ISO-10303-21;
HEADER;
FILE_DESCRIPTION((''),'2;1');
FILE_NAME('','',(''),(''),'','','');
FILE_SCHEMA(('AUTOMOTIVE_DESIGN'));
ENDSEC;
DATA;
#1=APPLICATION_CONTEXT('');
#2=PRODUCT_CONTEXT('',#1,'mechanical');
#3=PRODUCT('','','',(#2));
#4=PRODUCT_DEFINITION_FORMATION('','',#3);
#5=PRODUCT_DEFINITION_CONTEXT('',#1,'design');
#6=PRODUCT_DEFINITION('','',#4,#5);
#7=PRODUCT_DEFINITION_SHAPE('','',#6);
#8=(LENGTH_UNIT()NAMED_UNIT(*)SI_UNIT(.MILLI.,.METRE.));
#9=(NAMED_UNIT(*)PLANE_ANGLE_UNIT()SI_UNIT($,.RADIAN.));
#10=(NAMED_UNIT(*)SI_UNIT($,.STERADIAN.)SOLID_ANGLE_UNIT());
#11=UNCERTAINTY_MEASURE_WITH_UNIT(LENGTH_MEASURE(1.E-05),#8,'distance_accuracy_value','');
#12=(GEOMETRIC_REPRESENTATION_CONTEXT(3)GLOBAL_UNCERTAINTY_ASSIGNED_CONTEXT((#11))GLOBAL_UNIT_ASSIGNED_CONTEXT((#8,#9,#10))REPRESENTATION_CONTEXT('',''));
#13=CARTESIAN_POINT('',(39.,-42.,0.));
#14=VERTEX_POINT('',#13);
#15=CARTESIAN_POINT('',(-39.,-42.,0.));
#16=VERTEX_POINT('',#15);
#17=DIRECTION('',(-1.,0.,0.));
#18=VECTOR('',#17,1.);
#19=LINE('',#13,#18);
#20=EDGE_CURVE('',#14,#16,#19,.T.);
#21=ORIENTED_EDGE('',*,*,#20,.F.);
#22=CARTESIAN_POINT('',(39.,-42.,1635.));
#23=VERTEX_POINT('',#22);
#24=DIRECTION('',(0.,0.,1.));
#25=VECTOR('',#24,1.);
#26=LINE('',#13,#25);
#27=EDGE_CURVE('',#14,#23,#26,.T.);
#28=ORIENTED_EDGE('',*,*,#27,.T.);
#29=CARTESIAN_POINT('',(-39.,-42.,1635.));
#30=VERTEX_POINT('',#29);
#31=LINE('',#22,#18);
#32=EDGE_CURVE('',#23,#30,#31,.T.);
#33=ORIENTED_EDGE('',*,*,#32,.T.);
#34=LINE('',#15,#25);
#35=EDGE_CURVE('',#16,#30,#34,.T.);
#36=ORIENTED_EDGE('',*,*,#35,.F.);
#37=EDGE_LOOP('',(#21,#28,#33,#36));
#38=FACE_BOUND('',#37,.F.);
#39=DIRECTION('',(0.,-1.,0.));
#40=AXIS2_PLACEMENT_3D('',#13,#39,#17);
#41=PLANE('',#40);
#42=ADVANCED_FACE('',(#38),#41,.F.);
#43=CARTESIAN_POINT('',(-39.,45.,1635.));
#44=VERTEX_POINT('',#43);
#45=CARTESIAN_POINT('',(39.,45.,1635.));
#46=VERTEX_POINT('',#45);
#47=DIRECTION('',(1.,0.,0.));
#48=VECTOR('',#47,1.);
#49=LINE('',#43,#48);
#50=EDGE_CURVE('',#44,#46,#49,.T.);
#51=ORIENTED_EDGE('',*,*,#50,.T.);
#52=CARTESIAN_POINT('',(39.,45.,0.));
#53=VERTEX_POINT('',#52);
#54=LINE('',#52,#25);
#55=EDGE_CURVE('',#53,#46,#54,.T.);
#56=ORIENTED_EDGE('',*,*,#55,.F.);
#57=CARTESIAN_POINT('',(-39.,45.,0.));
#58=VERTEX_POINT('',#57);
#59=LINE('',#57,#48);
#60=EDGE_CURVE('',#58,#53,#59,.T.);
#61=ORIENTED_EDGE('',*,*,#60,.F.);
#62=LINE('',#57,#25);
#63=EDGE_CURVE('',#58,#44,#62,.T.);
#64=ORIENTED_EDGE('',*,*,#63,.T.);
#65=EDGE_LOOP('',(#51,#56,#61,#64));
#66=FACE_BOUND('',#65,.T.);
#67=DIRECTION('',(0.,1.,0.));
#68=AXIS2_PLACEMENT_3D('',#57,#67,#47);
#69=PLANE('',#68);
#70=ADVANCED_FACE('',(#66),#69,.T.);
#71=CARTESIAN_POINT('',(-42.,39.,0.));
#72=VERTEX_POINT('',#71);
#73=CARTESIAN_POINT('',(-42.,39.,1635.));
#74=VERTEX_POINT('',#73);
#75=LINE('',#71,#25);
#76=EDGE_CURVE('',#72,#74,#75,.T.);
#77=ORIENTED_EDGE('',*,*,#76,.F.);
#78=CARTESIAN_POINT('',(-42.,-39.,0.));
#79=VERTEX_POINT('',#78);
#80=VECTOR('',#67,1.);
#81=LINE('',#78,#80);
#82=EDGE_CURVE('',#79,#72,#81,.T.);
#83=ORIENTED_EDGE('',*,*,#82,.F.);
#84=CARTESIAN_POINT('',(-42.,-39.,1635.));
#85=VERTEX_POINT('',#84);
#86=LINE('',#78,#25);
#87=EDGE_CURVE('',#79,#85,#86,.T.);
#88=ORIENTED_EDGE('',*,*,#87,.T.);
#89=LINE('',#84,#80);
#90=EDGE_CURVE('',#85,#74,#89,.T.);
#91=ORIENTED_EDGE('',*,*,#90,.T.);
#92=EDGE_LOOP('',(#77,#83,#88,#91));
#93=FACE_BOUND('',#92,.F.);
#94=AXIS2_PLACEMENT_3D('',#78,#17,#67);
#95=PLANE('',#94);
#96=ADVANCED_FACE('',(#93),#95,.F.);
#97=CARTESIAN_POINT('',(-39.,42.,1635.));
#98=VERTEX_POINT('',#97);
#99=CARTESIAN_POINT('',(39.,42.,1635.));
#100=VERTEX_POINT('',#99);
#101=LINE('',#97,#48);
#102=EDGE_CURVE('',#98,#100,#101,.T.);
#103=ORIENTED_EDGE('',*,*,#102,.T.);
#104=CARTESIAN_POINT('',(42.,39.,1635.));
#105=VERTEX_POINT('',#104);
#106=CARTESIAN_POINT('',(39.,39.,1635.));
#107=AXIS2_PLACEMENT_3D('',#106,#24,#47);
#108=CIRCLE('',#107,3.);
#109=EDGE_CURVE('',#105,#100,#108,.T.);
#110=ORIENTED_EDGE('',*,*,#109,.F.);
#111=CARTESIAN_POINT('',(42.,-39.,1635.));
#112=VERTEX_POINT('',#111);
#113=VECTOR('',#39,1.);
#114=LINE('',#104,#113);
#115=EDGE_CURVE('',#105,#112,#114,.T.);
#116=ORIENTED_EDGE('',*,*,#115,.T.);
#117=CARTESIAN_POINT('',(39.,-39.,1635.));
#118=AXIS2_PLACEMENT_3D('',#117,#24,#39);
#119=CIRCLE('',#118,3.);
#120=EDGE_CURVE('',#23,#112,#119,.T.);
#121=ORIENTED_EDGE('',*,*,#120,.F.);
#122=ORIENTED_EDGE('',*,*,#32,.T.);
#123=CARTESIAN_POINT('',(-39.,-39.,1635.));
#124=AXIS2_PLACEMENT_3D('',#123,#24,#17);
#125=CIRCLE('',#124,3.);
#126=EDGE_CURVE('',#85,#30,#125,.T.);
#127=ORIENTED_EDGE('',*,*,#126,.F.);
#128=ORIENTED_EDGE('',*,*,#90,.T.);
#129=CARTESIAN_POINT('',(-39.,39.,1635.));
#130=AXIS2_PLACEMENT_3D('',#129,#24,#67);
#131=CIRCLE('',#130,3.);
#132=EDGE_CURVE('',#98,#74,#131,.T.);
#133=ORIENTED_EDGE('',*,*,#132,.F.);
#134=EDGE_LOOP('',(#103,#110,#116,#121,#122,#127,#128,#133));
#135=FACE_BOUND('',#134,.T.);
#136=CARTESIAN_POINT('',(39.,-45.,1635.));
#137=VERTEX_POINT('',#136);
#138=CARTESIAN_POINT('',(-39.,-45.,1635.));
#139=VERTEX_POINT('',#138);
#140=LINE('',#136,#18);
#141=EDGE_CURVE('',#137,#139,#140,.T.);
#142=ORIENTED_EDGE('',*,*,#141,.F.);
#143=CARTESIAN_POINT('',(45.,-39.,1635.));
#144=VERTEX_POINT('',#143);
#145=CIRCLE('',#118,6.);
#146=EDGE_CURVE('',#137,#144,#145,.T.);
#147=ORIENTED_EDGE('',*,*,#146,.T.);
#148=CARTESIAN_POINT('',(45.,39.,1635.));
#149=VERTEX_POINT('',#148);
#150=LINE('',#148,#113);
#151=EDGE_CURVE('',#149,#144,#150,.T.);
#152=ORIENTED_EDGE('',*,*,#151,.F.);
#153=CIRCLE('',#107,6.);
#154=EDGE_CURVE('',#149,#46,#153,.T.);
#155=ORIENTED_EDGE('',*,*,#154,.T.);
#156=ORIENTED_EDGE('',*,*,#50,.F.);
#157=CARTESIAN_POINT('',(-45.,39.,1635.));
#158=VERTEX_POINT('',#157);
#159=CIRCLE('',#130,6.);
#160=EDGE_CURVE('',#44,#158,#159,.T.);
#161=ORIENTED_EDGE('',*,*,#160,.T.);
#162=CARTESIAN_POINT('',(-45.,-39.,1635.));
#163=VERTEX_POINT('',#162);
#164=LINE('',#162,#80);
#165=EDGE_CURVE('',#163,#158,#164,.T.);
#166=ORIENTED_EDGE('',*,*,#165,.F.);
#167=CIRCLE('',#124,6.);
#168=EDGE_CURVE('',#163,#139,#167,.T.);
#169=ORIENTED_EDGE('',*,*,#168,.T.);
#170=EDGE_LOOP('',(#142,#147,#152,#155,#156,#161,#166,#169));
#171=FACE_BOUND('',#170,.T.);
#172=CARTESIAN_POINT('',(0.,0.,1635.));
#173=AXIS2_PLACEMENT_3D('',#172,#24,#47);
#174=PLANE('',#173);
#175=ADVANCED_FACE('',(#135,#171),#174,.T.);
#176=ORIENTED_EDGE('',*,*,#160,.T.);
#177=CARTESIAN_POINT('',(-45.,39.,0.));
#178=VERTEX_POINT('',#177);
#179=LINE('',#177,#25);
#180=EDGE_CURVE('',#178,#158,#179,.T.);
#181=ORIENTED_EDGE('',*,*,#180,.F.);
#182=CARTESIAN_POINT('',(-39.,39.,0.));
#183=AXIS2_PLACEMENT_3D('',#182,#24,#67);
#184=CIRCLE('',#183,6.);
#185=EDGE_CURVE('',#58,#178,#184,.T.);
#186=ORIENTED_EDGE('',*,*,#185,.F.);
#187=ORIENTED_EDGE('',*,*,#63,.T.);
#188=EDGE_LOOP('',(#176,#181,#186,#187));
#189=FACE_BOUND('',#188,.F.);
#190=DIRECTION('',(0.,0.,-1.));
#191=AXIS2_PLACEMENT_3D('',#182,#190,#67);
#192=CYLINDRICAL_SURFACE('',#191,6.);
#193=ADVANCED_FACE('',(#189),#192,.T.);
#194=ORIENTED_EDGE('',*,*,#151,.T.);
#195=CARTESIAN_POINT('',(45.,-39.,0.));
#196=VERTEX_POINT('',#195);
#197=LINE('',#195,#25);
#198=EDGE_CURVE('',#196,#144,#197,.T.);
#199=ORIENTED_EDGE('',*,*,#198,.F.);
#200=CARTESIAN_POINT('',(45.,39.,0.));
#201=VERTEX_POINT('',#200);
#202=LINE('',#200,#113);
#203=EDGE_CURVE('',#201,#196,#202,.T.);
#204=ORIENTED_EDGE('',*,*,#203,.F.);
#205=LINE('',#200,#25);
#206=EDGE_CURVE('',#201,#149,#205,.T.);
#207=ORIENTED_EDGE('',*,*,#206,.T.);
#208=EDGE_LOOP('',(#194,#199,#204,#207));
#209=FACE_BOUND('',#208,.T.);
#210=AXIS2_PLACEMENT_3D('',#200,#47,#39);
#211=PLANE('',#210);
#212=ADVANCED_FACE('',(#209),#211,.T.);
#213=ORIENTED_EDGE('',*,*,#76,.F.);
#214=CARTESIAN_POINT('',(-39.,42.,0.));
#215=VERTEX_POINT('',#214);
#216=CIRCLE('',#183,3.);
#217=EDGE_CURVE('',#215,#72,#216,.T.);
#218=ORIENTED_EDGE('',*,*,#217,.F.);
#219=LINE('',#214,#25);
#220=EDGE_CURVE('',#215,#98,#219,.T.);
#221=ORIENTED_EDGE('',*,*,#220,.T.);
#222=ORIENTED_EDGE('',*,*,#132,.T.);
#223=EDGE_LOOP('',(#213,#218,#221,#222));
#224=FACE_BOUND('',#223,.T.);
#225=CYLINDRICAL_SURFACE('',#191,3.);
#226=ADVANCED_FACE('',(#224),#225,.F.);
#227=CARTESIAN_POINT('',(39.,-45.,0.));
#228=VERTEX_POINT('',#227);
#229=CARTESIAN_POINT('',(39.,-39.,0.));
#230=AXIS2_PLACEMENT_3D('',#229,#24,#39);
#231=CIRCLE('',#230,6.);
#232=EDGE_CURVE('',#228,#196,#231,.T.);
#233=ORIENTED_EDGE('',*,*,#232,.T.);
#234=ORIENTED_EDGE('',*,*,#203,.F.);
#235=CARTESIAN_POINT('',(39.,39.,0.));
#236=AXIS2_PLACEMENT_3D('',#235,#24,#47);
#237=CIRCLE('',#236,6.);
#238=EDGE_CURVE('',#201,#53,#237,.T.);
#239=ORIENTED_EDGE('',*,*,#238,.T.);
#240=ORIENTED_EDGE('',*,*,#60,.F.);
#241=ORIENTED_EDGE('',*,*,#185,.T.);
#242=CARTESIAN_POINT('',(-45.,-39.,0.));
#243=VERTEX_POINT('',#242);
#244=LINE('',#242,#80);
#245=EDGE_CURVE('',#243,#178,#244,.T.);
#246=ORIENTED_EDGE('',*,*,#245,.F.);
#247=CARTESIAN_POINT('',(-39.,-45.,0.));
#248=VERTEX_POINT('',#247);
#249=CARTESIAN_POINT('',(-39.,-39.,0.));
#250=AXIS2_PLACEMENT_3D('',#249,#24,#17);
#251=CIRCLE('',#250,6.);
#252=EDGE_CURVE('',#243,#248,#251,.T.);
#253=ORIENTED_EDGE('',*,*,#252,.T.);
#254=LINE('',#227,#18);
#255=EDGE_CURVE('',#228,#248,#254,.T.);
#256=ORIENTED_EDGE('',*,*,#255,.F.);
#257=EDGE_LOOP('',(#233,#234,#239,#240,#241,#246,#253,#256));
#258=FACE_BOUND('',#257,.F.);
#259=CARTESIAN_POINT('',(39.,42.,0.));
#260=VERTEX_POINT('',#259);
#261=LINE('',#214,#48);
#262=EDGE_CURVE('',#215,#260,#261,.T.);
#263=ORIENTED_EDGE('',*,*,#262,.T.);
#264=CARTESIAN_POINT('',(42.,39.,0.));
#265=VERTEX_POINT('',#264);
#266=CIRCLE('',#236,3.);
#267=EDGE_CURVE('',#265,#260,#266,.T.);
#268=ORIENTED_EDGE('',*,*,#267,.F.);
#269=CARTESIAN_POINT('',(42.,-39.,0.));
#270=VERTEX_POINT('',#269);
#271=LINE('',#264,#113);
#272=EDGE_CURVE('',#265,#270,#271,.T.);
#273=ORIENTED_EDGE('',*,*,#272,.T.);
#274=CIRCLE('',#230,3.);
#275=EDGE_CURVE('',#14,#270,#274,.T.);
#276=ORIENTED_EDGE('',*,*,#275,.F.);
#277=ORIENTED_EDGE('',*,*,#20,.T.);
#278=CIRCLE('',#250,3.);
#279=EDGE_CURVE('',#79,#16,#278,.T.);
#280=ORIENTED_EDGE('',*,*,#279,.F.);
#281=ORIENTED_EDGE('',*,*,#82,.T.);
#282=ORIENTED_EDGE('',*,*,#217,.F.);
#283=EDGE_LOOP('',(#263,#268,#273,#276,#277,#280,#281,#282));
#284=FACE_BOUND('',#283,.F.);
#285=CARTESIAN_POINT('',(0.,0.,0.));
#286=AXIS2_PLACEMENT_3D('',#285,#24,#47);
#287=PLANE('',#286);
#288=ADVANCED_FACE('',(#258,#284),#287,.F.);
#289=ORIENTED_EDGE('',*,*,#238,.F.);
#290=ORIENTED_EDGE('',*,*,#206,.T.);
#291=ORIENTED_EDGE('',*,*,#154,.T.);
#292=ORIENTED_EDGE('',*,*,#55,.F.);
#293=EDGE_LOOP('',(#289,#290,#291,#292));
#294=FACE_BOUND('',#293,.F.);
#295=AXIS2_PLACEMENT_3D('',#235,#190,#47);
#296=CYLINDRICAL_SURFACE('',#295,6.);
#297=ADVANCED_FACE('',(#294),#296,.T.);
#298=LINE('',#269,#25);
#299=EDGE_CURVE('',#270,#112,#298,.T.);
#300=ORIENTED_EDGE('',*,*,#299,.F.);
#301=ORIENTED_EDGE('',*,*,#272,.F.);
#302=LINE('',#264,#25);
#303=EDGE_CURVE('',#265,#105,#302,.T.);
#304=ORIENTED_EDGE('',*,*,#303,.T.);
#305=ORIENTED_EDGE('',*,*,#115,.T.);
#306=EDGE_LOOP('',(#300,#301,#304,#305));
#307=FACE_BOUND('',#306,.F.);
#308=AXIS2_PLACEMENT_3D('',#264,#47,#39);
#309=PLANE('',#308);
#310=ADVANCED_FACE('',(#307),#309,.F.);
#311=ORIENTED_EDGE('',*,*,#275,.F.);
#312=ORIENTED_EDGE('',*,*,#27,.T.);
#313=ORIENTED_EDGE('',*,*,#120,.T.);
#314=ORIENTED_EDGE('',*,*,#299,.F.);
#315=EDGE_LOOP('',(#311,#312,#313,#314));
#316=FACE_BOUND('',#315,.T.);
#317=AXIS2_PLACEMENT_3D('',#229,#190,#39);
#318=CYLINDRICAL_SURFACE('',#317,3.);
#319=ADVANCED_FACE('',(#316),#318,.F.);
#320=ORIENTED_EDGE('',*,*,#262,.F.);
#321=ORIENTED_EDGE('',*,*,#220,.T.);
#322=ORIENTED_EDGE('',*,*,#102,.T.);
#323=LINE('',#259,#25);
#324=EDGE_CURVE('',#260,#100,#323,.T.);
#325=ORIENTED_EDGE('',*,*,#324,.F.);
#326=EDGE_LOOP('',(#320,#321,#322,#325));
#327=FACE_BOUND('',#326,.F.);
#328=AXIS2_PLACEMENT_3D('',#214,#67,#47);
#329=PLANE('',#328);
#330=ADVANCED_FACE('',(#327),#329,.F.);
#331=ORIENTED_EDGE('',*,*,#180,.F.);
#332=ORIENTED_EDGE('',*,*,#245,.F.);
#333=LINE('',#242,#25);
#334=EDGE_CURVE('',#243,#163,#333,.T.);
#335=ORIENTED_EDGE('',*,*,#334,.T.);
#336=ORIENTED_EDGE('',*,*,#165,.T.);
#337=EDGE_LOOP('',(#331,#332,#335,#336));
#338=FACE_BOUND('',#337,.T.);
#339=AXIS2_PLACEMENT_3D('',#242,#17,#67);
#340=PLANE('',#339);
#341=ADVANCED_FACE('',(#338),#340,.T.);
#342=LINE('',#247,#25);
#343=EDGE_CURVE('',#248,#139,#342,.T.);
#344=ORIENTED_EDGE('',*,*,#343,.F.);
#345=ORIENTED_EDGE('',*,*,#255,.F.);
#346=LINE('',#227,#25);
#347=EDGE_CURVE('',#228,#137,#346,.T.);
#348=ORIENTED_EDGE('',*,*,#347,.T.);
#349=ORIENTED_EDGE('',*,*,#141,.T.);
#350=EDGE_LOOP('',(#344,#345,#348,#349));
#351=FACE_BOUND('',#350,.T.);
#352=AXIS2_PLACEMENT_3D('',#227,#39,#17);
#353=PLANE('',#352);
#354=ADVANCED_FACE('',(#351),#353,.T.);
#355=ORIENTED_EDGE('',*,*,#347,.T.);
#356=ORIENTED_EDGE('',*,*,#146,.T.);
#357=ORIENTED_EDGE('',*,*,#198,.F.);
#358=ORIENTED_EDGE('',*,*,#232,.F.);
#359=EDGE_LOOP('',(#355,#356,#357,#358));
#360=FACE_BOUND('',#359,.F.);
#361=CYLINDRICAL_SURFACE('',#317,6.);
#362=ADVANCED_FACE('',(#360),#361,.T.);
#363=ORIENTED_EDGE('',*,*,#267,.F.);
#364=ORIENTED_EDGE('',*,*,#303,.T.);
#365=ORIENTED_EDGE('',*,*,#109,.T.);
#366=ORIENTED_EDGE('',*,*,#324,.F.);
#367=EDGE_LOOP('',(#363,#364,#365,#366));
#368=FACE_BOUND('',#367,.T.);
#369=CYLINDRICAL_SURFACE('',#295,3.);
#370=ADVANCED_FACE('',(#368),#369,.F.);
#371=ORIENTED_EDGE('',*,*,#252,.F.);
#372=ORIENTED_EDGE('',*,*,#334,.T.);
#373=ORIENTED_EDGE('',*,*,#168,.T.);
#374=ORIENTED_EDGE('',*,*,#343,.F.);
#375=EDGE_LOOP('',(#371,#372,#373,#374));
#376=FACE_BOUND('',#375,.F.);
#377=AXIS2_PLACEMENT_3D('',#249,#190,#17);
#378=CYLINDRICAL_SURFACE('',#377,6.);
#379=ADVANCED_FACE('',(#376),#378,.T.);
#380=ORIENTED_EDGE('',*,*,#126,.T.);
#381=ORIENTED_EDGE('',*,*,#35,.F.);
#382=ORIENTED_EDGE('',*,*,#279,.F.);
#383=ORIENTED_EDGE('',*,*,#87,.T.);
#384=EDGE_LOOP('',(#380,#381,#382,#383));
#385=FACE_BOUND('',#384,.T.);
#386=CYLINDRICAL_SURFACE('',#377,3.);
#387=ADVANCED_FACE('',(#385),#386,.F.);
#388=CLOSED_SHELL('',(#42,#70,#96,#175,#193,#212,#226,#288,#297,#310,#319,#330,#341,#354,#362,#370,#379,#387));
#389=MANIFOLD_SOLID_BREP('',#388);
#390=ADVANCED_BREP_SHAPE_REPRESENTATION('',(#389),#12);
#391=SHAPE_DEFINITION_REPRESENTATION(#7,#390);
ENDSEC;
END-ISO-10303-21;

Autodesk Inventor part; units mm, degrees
ref_plane "YZ Plane" through (0, 0, 0) normal (1, 0, 0) x (0, 1, 0)
ref_plane "Start plane" through (0, 0, 0) normal (0, 0, 1) x (1, 0, 0)
ref_plane "End plane" through (0, 0, 1635) normal (0, 0, 1) x (1, 0, 0)
sketch "Sketch" plane through (0, 0, 0) normal (0, 0, 1) x (1, 0, 0)
  line L0 (-45, -39) -> (-45, 39)
  line L1 (-39, 45) -> (39, 45)
  line L2 (45, 39) -> (45, -39)
  line L3 (39, -45) -> (-39, -45)
  arc A0 (-45, -39) -> (-39, -45) centre (-39, -39) ccw
  arc A1 (45, 39) -> (39, 45) centre (39, 39) ccw
  arc A2 (-39, 45) -> (-45, 39) centre (-39, 39) ccw
  arc A3 (39, -45) -> (45, -39) centre (39, -39) ccw
  arc A4 (-39, 42) -> (-42, 39) centre (-39, 39) ccw
  line L4 (-39, 42) -> (39, 42)
  arc A5 (42, 39) -> (39, 42) centre (39, 39) ccw
  line L5 (42, 39) -> (42, -39)
  arc A6 (39, -42) -> (42, -39) centre (39, -39) ccw
  line L6 (39, -42) -> (-39, -42)
  arc A7 (-42, -39) -> (-39, -42) centre (-39, -39) ccw
  line L7 (-42, -39) -> (-42, 39)
  line L8 (0, 50.7397) -> (0, -50.7397) construction
  line L9 (-50.7397, 0) -> (50.7397, 0) construction
  dimension "d7" = 6
  dimension "d9" = 90
  dimension "d11" = 90
  dimension "d12" = 3
  dimension "d15" = 45
  dimension "d16" = 45
extrude "Body" add sketch "Sketch" along normal up to surface (1635 mm away) from surface at 0
sketch "Sketch3" plane through (0, 0, 0) normal (0, 0, 1) x (1, 0, 0)
  line L0 (0, 0) -> (10, 0)
ref_plane "Work Plane3" through (0, 0, 0) normal (0, -1, 0) x (1, 0, 0)
sketch "Sketch4" plane through (0, 0, 0) normal (0, -1, 0) x (1, 0, 0)
  line L0 (-2, 0) -> (12, 0)
  line L1 (-2, 1635) -> (12, 1635)
  dimension "d18" = 1635
equation "\"d7\" = G_IR"
equation "\"d9\" = G_W"
equation "\"d11\" = G_H"
equation "\"d12\" = G_T"
equation "\"d15\" = 0.5 * d9"
equation "\"d16\" = 0.5 * d11"
equation "\"d3\" = G_L"
equation "\"G_W\" = 90"
equation "\"G_H\" = 90"
equation "\"G_T\" = 3"
equation "\"G_IR\" = 6"
equation "\"G_L\" = d18"
equation "\"G_OFFSET_START\" = 0"
equation "\"G_OFFSET_END\" = 0"
equation "\"d14\" = G_OFFSET_END + B_L"
equation "\"B_L\" = 1635"
properties part number "ISO 10799-2 - 90x90x3 - 1635" material "Steel, Mild"
